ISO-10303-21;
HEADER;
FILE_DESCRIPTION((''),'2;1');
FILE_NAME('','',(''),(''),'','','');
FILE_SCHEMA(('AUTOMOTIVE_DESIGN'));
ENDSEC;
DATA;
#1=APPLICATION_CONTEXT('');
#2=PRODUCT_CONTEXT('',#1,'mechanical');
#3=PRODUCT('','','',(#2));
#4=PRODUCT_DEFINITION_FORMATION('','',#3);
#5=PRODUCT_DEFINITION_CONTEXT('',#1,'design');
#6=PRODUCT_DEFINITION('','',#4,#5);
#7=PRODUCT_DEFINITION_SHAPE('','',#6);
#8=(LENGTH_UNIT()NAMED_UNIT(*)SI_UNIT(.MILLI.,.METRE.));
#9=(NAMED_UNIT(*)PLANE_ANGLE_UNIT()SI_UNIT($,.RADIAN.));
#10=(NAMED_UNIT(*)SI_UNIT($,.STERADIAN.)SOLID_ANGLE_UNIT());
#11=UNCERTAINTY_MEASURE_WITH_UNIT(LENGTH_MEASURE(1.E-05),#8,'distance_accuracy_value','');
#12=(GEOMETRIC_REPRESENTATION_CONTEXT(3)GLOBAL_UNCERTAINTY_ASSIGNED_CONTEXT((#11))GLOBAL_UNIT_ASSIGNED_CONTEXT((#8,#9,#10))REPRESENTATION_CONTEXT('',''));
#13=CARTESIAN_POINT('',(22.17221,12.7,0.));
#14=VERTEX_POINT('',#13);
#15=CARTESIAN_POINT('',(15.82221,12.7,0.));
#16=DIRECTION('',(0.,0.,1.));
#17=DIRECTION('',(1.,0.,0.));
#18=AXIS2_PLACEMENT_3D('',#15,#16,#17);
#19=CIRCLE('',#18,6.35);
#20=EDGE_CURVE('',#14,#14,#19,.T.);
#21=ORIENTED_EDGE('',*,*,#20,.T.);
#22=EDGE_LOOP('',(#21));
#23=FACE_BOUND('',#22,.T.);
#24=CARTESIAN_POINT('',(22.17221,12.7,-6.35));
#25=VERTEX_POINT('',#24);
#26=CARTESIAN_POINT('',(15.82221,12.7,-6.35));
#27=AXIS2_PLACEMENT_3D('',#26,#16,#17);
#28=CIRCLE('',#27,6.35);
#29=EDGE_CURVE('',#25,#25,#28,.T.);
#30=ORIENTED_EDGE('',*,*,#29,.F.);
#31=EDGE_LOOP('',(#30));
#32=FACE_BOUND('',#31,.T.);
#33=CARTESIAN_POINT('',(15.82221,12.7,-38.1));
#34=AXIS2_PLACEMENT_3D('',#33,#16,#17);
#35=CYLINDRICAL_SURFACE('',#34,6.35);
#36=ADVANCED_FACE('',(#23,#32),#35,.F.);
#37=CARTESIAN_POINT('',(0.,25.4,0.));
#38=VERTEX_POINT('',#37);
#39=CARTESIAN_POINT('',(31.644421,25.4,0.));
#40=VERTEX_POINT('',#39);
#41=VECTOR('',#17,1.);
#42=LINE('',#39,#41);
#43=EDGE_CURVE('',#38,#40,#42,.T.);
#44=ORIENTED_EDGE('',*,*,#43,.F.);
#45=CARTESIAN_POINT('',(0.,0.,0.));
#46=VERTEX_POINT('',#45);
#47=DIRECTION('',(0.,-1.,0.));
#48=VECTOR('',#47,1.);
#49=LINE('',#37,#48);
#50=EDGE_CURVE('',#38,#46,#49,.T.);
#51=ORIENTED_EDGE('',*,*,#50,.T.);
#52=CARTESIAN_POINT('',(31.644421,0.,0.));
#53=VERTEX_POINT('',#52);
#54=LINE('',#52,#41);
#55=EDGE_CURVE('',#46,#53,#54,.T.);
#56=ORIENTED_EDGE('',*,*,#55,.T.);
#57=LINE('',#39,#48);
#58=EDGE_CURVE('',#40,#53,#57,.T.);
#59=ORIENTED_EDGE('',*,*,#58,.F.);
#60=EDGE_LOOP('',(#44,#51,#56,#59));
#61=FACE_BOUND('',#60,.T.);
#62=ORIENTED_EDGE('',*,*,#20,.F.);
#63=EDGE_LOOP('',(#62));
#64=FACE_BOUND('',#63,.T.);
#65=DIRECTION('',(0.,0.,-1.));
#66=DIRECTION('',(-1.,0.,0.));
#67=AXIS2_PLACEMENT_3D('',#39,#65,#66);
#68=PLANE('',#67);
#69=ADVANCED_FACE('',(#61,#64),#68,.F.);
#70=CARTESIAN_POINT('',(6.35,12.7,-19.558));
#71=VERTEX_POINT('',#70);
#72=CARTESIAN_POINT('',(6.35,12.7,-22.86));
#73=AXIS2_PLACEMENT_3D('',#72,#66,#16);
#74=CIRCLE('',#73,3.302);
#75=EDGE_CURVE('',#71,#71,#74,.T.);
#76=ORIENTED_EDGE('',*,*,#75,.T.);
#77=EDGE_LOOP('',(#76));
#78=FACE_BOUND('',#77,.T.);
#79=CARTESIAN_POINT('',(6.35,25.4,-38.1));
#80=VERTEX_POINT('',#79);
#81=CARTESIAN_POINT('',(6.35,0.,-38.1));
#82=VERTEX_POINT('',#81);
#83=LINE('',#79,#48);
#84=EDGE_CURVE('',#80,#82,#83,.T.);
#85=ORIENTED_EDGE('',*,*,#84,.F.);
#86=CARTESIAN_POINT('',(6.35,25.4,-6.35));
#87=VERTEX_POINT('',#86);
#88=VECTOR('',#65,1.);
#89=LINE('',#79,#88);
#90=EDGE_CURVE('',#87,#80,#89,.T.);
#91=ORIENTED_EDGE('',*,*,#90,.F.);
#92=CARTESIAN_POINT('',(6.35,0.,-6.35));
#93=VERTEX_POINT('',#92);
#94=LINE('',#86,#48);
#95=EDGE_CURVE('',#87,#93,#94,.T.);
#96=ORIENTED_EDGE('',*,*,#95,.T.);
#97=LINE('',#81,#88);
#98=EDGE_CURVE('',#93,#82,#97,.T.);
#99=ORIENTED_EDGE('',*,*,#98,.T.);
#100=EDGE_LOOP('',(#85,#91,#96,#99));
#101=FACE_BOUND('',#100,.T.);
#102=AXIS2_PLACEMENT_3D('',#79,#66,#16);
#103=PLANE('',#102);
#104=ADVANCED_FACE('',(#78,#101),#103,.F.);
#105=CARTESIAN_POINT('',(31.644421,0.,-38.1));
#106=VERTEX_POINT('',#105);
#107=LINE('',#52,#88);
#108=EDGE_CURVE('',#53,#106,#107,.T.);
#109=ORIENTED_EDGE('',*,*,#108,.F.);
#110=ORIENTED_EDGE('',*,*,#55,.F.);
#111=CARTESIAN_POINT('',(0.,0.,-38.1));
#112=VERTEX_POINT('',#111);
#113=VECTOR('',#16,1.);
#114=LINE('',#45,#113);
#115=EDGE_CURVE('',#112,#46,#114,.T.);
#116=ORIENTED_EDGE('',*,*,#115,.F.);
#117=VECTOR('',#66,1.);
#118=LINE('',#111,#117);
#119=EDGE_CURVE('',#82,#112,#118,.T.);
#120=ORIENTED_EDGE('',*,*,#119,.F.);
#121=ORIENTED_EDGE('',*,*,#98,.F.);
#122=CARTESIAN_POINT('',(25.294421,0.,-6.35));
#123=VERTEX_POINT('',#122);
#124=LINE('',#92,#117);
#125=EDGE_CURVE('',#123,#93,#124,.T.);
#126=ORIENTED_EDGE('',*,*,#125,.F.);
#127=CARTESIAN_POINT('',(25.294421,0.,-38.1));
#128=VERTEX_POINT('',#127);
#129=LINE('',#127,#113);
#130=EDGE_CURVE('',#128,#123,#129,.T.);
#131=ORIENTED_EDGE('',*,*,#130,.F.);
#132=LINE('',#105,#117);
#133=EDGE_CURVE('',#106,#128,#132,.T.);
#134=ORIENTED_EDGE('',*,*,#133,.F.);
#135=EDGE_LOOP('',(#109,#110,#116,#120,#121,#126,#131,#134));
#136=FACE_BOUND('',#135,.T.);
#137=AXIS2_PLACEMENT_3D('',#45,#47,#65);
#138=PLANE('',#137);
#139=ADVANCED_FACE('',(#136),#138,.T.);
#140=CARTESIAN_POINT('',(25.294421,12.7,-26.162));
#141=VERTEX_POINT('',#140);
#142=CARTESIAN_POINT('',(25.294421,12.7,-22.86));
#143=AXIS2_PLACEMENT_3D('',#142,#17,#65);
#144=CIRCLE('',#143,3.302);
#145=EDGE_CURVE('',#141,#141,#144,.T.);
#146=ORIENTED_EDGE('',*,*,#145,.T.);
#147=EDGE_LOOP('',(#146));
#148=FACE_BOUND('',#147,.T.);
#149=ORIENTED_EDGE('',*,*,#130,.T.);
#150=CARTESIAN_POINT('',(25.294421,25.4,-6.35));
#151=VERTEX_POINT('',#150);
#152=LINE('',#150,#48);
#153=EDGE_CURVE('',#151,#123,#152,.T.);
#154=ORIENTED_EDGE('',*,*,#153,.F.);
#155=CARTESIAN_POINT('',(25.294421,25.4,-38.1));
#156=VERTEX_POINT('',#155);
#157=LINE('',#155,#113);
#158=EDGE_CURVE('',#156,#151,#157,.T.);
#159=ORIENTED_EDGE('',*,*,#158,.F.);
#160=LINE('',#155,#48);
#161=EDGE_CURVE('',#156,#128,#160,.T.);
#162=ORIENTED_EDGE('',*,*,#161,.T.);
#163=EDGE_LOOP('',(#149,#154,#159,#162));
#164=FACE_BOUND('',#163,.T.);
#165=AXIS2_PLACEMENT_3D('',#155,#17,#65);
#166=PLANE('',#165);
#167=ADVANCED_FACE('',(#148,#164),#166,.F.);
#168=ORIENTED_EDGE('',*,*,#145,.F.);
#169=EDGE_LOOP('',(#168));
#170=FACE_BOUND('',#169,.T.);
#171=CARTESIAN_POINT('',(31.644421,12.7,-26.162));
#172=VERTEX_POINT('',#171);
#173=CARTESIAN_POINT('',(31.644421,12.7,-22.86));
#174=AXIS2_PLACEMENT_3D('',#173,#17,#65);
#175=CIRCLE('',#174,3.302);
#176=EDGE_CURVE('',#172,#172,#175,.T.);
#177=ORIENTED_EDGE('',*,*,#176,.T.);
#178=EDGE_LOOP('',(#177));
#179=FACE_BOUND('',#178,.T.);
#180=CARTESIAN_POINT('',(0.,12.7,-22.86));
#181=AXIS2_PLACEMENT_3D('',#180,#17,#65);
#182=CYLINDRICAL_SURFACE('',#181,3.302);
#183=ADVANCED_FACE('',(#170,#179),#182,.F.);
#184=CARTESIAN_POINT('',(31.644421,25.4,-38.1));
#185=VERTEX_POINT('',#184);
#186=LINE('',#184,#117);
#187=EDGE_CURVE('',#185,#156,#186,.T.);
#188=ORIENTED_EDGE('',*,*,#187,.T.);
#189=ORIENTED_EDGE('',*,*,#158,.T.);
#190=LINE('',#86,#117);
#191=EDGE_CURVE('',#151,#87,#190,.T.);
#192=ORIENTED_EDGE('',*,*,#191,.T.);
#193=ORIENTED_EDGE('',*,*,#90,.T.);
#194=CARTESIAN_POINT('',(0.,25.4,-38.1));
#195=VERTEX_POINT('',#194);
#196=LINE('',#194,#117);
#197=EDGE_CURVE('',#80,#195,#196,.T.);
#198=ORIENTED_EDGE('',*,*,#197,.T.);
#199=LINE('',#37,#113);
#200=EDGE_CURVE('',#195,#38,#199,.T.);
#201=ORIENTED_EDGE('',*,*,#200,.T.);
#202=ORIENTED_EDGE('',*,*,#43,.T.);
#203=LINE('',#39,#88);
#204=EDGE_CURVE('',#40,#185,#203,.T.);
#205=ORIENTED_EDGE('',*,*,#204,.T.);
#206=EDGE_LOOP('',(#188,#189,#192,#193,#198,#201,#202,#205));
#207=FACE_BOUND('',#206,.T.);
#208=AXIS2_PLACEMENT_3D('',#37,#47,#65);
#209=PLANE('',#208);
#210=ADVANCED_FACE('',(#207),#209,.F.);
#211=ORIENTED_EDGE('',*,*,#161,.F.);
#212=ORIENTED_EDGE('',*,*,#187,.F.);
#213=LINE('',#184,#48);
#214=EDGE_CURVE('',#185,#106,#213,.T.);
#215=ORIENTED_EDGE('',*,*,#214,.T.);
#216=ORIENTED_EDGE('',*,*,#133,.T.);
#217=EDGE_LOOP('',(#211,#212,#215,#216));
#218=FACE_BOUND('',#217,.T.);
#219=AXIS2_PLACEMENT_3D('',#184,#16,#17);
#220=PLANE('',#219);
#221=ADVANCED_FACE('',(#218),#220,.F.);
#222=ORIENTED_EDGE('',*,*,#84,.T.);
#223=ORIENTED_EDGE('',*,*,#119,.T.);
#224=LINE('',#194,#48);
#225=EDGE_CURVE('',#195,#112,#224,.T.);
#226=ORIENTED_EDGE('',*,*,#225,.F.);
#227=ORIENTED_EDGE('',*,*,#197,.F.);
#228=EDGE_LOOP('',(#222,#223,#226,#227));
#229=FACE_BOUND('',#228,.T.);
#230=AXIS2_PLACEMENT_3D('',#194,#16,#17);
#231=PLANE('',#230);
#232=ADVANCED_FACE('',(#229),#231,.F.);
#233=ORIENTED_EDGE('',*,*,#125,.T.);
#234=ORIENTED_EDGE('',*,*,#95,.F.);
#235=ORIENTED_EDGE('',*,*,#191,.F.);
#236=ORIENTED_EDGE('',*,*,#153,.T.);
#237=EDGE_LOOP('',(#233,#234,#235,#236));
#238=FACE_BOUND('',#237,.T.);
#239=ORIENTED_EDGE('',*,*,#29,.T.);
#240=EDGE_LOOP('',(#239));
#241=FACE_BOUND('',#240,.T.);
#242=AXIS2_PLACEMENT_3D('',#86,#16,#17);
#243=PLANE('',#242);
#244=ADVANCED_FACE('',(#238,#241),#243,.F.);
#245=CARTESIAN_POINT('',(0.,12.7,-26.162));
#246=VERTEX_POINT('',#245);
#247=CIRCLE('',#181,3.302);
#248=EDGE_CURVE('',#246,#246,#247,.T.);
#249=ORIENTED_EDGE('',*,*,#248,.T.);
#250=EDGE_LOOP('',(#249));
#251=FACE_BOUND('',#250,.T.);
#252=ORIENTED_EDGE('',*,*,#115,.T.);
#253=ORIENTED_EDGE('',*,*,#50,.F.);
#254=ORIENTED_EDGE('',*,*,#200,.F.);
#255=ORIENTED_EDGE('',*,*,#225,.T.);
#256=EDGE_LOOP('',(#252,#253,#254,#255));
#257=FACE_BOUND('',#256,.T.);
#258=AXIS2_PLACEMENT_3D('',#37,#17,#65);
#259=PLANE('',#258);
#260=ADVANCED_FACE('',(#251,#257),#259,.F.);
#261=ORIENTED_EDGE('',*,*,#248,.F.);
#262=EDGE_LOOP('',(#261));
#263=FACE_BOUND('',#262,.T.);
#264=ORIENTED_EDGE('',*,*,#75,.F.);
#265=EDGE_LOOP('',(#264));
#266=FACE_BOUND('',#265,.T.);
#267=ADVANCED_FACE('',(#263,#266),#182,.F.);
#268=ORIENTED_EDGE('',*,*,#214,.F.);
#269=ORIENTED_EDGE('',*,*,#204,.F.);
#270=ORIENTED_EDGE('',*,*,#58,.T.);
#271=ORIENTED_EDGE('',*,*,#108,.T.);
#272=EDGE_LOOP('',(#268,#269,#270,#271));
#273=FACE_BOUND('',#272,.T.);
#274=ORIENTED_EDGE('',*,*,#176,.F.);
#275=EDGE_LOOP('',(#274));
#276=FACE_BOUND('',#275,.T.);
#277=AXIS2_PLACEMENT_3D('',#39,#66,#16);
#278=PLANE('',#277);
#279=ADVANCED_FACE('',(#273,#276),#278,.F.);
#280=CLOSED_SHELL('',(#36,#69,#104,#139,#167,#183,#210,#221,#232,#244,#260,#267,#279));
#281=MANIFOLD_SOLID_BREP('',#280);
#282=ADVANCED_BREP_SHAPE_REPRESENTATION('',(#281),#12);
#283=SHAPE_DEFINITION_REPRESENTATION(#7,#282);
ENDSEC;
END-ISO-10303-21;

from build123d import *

# Parameters (mm, degrees)
BOSS_EXTRUDE1_DEPTH     = 25.4
SKETCH2_R               = 6.35
CUT_EXTRUDE1_DEPTH      = 56.660932074
CUT_EXTRUDE2_DEPTH      = 53.31230942
CUT_EXTRUDE2_DEPTH_BACK = 53.31230942
SKETCH5_R               = 3.302


with BuildPart() as part:
    # Sketch1 → Boss-Extrude1 (new body)
    with BuildSketch(Plane(origin=(0, 0, 0), x_dir=(1, 0, 0), z_dir=(0, 1, 0))):
        Polygon((0, 0), (0, 38.1), (6.35, 38.1), (6.35, 6.35), (25.294420667, 6.35), (25.294420667, 38.1), (31.644420667, 38.1), (31.644420667, 0), align=None)
    extrude(amount=BOSS_EXTRUDE1_DEPTH)

    # Sketch2 → Cut-Extrude1 (cut, through all)
    with BuildSketch(Plane.XY):
        with Locations((15.822210333, 12.7)):
            Circle(SKETCH2_R)
    extrude(amount=-CUT_EXTRUDE1_DEPTH, mode=Mode.SUBTRACT)

    # Sketch5 → Cut-Extrude2 (cut, two sides: drawn at the far end of the back side and taken through both)
    with BuildSketch(Plane(origin=(6.35, 0, 0), x_dir=(0, 0, -1), z_dir=(1, 0, 0)).offset(-CUT_EXTRUDE2_DEPTH_BACK)):
        with Locations((22.86, 12.7)):
            Circle(SKETCH5_R)
    extrude(amount=CUT_EXTRUDE2_DEPTH + CUT_EXTRUDE2_DEPTH_BACK, mode=Mode.SUBTRACT)


solid = part.part
